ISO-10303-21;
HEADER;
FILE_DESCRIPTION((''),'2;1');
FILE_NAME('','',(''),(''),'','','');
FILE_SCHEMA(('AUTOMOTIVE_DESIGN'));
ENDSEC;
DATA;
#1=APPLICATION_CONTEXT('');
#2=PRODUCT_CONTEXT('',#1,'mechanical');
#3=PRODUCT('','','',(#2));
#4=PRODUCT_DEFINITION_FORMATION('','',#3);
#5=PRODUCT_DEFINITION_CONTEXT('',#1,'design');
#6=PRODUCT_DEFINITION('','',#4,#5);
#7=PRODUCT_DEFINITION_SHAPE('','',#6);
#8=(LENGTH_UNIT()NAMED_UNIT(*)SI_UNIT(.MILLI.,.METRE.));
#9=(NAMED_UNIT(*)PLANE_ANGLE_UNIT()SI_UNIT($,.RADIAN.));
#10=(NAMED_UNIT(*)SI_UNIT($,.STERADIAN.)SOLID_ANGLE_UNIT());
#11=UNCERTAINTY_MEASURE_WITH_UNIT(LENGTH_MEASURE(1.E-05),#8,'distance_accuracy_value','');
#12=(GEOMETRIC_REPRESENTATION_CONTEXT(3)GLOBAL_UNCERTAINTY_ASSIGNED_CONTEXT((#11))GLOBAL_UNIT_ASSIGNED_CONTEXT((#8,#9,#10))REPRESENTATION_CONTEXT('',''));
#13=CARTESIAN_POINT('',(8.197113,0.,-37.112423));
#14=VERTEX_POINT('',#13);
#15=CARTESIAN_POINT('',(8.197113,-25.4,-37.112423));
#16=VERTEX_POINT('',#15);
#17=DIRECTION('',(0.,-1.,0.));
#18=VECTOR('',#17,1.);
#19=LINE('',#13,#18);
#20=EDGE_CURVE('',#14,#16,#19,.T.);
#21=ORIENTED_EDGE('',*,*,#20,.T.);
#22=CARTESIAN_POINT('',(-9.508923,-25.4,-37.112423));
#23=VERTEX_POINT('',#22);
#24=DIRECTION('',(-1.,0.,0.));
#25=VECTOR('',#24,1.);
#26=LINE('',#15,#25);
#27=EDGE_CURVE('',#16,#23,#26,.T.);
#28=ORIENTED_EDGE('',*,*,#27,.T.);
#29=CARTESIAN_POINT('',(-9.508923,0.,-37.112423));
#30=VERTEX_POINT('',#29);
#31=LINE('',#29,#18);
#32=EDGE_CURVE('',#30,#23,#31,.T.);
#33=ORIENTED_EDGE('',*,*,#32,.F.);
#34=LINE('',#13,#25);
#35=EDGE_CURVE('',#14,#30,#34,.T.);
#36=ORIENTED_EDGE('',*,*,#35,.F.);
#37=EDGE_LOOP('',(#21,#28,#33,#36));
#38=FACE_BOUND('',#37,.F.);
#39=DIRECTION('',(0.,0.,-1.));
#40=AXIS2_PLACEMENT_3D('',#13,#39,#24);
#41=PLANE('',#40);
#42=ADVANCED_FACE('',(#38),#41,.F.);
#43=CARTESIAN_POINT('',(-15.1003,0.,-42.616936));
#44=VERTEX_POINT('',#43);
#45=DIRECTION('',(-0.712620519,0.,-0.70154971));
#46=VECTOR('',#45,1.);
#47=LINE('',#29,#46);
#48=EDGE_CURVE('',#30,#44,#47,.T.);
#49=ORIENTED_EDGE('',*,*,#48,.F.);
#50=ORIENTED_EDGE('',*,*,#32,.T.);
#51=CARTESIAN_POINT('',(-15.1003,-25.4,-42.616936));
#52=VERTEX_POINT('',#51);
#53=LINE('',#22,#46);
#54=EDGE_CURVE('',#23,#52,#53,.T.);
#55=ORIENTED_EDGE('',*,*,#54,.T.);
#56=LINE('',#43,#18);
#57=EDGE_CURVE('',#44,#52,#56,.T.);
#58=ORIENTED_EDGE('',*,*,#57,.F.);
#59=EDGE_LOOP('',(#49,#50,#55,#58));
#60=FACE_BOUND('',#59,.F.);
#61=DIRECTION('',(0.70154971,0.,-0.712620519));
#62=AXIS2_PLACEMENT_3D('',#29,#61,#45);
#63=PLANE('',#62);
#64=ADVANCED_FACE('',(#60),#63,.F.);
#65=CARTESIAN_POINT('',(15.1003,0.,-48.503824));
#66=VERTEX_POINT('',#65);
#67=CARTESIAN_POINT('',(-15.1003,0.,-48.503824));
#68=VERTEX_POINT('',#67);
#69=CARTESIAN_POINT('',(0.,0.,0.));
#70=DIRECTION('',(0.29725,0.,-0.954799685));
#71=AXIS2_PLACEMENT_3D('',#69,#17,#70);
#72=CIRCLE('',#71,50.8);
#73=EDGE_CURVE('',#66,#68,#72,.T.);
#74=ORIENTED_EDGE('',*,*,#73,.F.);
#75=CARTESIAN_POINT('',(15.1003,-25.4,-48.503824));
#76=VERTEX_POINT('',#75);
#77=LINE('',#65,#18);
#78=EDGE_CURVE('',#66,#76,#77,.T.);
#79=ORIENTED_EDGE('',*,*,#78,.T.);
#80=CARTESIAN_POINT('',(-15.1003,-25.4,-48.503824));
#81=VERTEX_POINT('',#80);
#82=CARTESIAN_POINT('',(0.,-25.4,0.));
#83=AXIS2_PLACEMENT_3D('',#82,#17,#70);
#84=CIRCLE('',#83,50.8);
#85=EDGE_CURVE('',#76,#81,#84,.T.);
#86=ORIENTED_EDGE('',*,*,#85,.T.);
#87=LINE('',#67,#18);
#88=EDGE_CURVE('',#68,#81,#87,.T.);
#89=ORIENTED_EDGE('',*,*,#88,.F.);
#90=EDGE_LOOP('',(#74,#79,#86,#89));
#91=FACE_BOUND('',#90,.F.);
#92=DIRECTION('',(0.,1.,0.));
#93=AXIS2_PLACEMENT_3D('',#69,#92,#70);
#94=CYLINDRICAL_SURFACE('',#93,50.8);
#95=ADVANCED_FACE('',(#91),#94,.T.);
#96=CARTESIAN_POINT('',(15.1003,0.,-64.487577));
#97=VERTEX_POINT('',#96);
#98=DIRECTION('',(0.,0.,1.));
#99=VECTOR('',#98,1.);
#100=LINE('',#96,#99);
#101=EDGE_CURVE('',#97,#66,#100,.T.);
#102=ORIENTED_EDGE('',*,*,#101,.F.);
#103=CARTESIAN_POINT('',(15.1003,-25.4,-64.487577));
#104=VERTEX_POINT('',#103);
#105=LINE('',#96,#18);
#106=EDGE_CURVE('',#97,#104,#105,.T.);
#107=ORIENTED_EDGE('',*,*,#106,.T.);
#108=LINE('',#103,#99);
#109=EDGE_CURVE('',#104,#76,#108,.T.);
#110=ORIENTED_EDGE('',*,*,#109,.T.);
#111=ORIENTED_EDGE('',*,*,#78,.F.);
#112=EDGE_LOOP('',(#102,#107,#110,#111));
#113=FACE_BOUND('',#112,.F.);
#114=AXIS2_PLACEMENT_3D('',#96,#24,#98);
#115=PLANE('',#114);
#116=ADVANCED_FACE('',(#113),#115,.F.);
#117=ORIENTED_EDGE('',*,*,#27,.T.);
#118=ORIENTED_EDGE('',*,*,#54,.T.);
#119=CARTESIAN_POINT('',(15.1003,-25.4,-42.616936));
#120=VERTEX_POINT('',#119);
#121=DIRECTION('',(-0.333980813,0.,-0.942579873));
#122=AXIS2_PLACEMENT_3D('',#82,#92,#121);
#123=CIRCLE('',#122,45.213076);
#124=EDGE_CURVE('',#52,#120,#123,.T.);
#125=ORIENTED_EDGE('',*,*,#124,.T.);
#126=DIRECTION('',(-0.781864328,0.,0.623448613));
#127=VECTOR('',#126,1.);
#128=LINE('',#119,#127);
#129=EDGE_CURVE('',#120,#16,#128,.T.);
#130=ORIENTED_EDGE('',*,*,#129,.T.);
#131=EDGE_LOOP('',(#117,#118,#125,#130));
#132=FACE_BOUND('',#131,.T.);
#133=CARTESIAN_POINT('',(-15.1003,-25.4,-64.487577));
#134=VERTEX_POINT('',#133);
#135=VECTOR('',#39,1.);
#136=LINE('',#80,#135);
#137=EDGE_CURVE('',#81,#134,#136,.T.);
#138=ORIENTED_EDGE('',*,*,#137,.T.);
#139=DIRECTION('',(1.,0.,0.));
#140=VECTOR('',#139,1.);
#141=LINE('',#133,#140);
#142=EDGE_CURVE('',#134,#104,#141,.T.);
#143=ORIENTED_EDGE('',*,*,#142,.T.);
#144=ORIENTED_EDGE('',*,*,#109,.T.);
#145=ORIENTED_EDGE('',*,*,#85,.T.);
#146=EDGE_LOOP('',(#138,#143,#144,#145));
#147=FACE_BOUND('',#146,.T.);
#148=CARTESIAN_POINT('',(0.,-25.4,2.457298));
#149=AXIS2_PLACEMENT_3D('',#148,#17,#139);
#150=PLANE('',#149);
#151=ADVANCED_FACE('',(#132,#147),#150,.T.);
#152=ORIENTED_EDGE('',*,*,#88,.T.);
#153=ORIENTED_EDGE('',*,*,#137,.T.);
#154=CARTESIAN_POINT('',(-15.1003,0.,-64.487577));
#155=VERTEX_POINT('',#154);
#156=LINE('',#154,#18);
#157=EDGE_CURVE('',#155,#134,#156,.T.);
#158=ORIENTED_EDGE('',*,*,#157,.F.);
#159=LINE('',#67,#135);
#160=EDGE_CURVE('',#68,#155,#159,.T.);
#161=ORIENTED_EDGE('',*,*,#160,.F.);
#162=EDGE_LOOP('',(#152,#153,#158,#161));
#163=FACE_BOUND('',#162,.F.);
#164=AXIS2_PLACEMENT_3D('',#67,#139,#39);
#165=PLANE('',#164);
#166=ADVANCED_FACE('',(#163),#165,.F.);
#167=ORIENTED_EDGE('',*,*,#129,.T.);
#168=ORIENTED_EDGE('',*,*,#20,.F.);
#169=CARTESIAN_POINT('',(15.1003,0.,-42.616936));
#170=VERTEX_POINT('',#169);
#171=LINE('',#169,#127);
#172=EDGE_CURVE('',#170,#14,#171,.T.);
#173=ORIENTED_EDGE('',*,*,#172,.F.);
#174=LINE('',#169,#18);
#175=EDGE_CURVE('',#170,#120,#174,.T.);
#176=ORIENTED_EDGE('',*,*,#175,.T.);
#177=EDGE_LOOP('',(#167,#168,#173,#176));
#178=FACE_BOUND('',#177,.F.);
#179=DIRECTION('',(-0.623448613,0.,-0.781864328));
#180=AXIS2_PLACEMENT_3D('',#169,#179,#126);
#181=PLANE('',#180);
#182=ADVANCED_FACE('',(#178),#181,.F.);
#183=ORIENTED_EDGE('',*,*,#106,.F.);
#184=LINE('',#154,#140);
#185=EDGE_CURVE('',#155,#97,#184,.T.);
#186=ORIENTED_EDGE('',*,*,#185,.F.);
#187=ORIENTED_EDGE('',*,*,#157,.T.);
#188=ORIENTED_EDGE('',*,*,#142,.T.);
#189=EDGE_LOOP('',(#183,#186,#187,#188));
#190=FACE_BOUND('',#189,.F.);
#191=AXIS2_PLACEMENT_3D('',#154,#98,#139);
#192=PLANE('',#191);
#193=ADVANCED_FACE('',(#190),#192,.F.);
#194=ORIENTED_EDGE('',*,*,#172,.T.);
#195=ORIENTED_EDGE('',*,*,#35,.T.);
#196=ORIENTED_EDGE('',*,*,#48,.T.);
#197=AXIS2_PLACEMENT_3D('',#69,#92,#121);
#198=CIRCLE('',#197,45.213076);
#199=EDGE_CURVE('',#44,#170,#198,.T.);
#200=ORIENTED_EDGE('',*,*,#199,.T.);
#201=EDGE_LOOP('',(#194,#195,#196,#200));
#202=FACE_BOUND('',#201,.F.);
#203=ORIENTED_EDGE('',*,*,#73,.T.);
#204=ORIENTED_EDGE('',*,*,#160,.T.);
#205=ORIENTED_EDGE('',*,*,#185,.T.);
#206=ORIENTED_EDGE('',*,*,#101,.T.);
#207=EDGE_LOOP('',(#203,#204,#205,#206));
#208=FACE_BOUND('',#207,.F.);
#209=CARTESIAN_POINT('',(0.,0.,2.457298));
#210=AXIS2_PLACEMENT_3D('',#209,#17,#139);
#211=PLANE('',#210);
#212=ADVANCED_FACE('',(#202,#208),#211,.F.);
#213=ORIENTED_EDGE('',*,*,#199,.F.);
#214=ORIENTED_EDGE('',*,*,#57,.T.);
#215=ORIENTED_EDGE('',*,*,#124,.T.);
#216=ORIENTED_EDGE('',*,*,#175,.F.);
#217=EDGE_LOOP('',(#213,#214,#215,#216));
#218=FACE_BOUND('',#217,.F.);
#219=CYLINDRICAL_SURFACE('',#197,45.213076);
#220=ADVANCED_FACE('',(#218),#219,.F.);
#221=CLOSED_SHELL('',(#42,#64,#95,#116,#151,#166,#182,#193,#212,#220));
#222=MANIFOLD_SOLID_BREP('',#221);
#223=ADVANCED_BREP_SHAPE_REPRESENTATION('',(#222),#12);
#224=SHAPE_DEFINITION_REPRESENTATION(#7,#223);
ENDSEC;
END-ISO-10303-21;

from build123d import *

# Parameters (mm, degrees)
F1_DEPTH = 25.4


with BuildPart() as f1:
    # F0 (on Front) → F1 (new body)
    with BuildSketch(Plane.XZ):
        with BuildLine():
            Line((15.1003, -42.616936), (15.1003, -48.503824))
            ThreePointArc((15.1003, -48.503824), (0, 50.8), (-15.1003, -48.503824))
            Line((-15.1003, -48.503824), (-15.1003, -42.616936))
            ThreePointArc((-15.1003, -42.616936), (0, 45.213076), (15.1003, -42.616936))
        make_face()
        Polygon((15.1003, -64.487577), (15.1003, -48.503824), (15.1003, -42.616936), (8.197113, -37.112423), (-9.508923, -37.112423), (-15.1003, -42.616936), (-15.1003, -48.503824), (-15.1003, -64.487577), align=None)
    extrude(amount=F1_DEPTH)


solid = f1.part
